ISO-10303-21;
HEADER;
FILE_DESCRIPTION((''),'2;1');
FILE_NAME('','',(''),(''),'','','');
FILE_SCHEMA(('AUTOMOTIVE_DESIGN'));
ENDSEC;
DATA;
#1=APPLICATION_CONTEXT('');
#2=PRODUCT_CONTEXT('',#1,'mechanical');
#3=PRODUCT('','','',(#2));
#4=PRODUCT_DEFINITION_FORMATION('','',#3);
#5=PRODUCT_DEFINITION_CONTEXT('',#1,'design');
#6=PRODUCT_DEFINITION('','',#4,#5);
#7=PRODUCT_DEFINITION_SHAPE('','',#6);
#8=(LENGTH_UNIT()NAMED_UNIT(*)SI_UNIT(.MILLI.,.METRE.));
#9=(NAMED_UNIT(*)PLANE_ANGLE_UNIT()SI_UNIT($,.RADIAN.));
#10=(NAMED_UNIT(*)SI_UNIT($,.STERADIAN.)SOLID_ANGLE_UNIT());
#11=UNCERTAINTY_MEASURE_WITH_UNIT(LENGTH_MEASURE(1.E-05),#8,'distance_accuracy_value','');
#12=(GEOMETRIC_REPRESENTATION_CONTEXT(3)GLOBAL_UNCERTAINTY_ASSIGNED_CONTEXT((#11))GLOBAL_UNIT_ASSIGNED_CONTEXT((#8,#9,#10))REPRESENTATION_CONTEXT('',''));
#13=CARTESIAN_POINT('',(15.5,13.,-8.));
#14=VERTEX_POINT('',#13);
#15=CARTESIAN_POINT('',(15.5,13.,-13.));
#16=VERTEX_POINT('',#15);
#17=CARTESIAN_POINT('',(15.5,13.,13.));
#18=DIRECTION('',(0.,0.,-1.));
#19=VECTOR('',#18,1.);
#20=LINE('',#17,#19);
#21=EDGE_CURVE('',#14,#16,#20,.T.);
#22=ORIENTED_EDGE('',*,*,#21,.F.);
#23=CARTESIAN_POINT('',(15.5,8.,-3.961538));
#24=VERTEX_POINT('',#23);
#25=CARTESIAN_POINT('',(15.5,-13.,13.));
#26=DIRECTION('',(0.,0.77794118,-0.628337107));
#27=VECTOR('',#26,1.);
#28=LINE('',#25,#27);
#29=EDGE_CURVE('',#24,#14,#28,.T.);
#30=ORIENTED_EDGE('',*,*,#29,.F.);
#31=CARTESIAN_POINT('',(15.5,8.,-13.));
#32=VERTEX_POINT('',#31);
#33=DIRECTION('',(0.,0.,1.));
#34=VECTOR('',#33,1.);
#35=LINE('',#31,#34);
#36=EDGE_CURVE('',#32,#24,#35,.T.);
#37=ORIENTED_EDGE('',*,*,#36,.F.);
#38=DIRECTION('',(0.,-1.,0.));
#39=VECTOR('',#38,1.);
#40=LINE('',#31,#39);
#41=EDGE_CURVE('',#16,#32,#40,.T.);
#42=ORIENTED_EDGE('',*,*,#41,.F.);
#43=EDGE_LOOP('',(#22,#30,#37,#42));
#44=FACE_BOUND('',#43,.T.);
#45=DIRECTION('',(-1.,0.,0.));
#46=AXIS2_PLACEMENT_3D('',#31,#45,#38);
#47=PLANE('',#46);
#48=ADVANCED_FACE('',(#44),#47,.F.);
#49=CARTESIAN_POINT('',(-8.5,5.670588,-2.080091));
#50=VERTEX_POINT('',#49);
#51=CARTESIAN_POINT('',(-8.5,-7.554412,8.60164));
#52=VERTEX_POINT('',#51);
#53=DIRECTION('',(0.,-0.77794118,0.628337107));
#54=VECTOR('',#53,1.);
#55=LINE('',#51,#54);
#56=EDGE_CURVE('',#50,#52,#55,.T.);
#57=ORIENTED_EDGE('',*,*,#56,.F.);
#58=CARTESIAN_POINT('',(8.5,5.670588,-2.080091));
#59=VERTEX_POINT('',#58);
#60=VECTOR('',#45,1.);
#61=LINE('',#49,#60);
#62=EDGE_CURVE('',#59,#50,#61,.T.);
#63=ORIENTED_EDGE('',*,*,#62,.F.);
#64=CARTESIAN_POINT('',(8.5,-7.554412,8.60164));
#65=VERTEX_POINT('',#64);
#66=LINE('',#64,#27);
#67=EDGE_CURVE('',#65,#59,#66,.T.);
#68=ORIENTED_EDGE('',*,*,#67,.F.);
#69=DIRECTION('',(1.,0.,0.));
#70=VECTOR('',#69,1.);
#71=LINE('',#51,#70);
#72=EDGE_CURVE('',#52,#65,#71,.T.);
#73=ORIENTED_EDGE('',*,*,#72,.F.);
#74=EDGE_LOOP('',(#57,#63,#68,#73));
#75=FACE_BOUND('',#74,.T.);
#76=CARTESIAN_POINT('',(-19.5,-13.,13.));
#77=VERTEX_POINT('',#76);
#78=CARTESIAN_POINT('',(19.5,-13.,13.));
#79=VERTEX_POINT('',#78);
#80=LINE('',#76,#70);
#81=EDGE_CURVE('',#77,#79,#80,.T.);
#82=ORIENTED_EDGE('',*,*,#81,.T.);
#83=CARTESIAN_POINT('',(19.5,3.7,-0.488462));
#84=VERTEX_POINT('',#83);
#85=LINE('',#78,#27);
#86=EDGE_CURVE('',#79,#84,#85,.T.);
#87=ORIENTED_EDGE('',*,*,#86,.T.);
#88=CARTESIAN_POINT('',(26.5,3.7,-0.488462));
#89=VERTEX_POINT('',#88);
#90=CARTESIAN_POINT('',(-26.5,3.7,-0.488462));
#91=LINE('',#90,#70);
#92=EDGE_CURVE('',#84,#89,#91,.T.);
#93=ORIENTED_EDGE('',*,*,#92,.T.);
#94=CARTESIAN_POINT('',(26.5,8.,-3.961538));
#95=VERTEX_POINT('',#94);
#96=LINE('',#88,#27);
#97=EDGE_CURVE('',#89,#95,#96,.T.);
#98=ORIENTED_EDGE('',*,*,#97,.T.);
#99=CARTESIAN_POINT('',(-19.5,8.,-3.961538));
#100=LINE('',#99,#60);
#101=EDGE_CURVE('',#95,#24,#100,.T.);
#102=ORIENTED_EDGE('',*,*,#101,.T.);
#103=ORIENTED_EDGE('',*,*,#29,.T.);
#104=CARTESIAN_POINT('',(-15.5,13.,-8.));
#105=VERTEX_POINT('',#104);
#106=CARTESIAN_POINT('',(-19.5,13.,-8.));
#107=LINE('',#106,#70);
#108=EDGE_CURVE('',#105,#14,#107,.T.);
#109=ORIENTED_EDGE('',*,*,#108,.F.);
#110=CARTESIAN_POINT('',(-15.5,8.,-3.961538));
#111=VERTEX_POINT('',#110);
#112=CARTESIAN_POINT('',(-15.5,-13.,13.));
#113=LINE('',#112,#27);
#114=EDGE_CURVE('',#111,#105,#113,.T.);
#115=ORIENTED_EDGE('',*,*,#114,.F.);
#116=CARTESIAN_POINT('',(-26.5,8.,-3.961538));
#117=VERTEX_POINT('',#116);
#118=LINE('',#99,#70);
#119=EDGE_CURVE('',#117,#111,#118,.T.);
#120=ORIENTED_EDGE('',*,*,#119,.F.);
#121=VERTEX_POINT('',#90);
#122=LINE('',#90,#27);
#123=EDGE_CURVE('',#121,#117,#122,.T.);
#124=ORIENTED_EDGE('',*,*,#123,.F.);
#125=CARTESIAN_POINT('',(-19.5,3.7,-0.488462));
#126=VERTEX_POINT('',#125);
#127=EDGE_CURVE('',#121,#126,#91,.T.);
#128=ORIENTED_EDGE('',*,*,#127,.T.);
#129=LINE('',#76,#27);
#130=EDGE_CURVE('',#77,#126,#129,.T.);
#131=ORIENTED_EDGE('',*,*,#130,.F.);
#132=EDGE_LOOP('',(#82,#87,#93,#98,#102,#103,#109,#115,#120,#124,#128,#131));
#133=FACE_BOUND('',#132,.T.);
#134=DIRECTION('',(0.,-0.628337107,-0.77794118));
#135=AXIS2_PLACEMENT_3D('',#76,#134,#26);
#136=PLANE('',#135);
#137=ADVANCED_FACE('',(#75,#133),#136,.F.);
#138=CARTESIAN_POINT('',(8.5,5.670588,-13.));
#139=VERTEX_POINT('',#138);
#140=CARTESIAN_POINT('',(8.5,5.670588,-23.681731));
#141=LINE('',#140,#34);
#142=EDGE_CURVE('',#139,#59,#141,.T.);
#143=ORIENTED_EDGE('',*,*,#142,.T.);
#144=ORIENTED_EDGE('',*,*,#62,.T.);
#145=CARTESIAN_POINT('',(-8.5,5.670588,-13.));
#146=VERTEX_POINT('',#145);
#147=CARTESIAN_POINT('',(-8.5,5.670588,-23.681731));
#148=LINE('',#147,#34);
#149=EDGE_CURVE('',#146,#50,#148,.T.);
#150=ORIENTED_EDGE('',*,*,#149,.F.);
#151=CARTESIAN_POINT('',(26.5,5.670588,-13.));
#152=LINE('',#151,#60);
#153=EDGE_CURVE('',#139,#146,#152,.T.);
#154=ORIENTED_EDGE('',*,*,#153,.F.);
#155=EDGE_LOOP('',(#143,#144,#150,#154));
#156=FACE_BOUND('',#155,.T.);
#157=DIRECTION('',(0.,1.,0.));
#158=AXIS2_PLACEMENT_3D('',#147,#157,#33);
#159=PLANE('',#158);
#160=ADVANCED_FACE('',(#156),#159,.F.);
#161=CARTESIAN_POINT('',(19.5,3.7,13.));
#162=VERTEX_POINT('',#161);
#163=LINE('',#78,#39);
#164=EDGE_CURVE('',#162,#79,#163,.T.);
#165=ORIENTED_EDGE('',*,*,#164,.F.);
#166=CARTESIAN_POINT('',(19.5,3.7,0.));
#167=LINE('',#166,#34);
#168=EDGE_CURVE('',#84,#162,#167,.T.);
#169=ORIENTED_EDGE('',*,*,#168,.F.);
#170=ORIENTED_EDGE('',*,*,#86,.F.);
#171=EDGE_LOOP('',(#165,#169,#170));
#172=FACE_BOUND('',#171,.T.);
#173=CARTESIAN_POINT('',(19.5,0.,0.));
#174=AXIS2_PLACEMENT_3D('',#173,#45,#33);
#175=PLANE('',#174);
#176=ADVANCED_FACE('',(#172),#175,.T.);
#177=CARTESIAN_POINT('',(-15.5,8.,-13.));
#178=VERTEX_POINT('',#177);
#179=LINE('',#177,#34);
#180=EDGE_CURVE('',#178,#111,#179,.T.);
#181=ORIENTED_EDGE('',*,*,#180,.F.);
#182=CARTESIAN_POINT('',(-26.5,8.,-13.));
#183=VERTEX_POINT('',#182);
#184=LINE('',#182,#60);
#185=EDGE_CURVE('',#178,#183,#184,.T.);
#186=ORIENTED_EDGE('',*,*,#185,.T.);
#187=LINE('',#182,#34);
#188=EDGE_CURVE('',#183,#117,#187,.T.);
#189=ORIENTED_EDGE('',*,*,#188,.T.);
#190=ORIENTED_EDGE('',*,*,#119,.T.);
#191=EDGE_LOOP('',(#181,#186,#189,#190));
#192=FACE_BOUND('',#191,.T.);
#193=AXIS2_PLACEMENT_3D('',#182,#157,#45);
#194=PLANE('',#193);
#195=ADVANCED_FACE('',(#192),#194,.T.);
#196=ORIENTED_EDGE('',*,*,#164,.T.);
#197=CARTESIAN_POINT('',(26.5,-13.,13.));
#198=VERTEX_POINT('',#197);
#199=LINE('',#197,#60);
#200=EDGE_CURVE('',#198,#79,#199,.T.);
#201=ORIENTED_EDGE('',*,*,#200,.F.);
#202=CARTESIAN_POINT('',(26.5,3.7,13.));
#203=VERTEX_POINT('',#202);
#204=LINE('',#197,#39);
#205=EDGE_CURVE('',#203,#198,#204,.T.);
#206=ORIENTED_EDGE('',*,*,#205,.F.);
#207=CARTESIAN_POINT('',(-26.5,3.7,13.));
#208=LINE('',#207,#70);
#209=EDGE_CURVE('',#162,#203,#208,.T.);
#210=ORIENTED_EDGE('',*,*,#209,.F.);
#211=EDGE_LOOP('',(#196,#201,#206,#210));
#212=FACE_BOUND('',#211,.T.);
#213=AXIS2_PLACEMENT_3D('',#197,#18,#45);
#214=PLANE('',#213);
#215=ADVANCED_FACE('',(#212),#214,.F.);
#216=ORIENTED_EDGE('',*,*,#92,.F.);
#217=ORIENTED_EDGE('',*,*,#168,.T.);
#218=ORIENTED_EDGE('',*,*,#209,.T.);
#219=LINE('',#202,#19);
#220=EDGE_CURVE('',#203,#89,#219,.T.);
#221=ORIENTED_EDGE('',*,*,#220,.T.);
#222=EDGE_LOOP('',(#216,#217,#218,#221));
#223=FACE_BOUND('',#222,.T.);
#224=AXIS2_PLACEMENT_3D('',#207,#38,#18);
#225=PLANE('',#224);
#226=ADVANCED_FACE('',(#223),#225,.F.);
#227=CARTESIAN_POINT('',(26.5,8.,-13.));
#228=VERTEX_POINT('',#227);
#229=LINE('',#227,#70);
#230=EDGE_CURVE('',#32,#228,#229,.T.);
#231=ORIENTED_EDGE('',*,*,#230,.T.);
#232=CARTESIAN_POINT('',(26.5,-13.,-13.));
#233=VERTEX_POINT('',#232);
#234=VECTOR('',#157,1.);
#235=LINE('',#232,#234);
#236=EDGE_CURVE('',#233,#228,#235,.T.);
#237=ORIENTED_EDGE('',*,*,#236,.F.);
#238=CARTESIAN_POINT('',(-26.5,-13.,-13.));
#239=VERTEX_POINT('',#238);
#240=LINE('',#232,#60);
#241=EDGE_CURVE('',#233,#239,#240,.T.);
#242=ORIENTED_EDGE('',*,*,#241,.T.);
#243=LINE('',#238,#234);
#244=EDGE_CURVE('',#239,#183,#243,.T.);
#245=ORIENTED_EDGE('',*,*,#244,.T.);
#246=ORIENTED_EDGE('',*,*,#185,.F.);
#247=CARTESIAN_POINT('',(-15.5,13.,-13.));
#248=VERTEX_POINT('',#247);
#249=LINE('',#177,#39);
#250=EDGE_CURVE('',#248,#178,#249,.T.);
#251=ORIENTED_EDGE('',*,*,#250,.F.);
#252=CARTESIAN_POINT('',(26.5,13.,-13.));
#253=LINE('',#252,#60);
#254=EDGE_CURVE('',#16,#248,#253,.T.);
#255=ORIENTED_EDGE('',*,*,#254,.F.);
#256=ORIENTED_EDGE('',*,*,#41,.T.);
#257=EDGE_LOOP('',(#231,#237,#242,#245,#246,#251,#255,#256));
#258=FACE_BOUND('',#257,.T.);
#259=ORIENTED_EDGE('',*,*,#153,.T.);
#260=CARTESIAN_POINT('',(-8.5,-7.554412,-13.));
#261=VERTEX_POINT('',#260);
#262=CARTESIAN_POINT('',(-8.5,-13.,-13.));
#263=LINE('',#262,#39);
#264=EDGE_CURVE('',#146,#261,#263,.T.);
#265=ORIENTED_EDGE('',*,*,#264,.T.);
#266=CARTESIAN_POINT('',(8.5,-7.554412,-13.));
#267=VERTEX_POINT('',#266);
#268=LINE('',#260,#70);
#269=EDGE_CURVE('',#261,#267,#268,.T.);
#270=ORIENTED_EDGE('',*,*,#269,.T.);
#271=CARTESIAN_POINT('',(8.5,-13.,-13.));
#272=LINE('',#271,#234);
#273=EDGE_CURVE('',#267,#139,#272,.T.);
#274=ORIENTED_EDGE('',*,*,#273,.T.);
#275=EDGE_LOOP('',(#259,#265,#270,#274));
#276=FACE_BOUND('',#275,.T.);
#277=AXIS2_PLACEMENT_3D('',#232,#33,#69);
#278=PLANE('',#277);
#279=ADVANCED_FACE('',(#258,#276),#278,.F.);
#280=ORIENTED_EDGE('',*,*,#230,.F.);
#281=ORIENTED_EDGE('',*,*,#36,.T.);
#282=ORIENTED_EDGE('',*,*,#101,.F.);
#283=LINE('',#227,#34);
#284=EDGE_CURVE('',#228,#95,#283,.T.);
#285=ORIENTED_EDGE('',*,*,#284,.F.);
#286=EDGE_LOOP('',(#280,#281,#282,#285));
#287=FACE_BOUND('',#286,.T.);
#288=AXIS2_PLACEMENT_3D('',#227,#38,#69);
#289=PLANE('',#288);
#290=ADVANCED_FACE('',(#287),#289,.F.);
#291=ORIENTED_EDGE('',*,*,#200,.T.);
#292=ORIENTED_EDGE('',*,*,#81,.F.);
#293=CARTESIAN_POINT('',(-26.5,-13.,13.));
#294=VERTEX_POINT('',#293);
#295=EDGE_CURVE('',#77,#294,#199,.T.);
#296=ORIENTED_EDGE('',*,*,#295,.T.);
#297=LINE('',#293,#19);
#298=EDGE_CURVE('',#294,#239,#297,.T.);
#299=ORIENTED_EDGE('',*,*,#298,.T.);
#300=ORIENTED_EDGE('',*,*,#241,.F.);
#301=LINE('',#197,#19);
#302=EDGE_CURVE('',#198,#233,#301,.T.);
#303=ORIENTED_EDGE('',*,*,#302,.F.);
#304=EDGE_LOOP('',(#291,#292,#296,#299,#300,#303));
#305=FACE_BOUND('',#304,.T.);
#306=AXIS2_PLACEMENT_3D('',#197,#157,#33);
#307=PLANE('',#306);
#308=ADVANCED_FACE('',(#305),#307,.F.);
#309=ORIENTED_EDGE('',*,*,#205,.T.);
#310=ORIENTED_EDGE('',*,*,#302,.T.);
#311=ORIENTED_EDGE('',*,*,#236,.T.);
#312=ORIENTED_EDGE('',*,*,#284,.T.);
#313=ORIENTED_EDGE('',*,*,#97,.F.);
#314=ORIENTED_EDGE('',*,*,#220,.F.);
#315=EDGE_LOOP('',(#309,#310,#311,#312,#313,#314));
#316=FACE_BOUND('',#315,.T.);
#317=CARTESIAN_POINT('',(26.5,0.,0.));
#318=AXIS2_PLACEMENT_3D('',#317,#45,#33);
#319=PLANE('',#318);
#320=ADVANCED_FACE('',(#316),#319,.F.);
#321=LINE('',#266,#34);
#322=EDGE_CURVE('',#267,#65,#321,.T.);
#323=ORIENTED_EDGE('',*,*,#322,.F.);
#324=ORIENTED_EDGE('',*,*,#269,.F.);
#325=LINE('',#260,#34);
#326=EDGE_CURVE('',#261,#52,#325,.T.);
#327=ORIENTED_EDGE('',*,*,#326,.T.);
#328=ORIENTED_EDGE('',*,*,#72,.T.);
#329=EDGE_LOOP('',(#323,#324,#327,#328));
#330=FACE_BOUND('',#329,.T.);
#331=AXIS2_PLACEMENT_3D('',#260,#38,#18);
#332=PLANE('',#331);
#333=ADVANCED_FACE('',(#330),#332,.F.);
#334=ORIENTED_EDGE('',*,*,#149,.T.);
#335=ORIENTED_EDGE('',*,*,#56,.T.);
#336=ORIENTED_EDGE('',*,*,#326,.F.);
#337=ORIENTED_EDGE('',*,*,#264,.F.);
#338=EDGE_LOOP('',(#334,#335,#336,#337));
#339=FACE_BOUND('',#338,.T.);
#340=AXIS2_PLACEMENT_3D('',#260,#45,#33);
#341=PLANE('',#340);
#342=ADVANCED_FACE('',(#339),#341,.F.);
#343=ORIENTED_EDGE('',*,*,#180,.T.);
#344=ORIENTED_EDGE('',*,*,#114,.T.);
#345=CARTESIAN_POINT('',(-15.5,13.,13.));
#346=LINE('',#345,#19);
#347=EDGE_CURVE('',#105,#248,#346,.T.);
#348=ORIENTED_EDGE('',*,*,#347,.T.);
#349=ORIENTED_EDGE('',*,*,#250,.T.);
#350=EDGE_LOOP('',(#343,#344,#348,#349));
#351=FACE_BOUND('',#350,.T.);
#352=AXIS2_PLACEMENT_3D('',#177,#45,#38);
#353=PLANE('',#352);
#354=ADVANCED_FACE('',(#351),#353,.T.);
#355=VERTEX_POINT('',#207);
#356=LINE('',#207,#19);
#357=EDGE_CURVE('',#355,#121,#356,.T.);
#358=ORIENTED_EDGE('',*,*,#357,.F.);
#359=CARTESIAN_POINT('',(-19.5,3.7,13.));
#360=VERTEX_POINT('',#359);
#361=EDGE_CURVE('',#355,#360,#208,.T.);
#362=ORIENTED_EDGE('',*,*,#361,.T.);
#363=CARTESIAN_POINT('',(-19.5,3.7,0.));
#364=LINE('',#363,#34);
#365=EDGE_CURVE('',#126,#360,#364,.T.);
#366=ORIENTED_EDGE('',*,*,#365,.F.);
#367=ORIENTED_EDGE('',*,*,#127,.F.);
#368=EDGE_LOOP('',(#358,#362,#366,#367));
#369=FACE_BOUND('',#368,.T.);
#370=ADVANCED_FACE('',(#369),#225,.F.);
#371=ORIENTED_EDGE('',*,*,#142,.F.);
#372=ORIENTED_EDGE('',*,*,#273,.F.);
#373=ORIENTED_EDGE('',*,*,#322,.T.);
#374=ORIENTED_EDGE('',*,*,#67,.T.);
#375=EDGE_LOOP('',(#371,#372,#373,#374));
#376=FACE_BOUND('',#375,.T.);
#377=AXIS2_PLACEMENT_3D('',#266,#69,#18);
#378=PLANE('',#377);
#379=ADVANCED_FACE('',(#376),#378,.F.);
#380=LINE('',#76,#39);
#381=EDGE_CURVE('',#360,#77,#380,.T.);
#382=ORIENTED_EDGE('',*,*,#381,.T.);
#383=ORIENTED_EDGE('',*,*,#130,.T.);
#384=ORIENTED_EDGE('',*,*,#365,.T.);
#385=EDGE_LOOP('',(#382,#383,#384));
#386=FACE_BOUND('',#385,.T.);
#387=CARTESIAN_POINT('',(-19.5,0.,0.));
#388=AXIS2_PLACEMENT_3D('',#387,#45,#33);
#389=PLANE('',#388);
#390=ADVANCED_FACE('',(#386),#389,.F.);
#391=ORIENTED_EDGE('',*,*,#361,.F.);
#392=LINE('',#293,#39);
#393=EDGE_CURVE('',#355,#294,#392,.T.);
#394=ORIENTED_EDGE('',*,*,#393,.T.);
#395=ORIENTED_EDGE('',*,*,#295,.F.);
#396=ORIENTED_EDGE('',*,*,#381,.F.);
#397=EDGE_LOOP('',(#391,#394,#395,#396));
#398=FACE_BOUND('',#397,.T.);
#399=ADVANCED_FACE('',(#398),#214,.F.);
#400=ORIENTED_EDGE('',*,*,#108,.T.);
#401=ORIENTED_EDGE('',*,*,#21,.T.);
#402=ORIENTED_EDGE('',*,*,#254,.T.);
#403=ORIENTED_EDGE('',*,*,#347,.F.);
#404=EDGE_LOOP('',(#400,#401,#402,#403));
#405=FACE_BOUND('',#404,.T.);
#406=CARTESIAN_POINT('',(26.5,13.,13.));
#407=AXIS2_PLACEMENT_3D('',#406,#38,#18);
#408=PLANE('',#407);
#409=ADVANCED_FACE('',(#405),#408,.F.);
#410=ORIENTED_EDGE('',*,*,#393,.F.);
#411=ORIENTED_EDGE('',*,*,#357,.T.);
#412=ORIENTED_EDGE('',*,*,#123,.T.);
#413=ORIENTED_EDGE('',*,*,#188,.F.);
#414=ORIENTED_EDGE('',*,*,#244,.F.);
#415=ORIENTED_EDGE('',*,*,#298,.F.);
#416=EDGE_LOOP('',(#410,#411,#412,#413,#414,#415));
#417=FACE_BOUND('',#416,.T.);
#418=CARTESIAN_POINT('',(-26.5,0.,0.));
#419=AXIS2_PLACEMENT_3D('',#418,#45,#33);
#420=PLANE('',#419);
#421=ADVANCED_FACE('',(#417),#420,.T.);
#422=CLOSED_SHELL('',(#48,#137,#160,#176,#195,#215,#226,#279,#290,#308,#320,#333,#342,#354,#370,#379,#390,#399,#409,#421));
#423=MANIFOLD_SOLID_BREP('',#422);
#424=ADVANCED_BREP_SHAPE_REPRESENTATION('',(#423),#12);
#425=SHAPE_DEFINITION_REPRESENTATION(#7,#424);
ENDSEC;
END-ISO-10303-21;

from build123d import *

# Parameters (mm, degrees)
ESQUISSE1_W             = 26
ESQUISSE1_H             = 26
BOSS_EXTRU_1_DEPTH      = 26.5
ENL_V_MAT_EXTRU_1_DEPTH = 19.5
ESQUISSE4_W             = 11
ESQUISSE4_H             = 10
ENL_V_MAT_EXTRU_2_DEPTH = 40.33509883
ENL_V_MAT_EXTRU_3_DEPTH = 57.098128311
ESQUISSE6_W             = 17
ESQUISSE6_H             = 17
ENL_V_MAT_EXTRU_4_DEPTH = 44.211248008


with BuildPart() as part:
    # Esquisse1 → Boss.-Extru.1 (new, symmetric)
    with BuildSketch(Plane(origin=(0, 0, 0), x_dir=(0, 0, -1), z_dir=(1, 0, 0))):
        Rectangle(ESQUISSE1_W, ESQUISSE1_H)
    extrude(amount=BOSS_EXTRU_1_DEPTH, both=True)

    # Esquisse3 → Enlèv. mat.-Extru.1 (cut, symmetric)
    with BuildSketch(Plane(origin=(0, 0, 0), x_dir=(0, 0, -1), z_dir=(1, 0, 0))):
        Polygon((-13, -13), (8, 13), (-13, 13), align=None)
    extrude(amount=ENL_V_MAT_EXTRU_1_DEPTH, both=True, mode=Mode.SUBTRACT)

    # Esquisse4 → Enlèv. mat.-Extru.2 (cut, through all)
    with BuildSketch(Plane.XY.offset(13)):
        with Locations((21, 13)):
            Rectangle(ESQUISSE4_W, ESQUISSE4_H)
    enl_v_mat_extru_2 = extrude(amount=-ENL_V_MAT_EXTRU_2_DEPTH, mode=Mode.SUBTRACT)

    # Symétrie1: Enlèv. mat.-Extru.2 across plane
    add(enl_v_mat_extru_2.mirror(Plane(origin=(0, 0, 0), x_dir=(0, 0, 1), z_dir=(1, 0, 0))), mode=Mode.SUBTRACT)

    # Esquisse5 → Enlèv. mat.-Extru.3 (cut, through all)
    with BuildSketch(Plane(origin=(26.5, 0, 0), x_dir=(0, 0, -1), z_dir=(1, 0, 0))):
        Polygon((-13, 3.7), (0.488461538, 3.7), (3.961538462, 8), (-13, 8), align=None)
    extrude(amount=-ENL_V_MAT_EXTRU_3_DEPTH, mode=Mode.SUBTRACT)

    # Esquisse6 → Enlèv. mat.-Extru.4 (cut, through all, along a direction that is not the sketch's normal)
    with BuildSketch(Plane(origin=(0, 1.222023277, 1.5129812), x_dir=(1, 0, 0), z_dir=(0, 0.6283371070876215, 0.7779411802037214))):
        with Locations((0, -2.781617735)):
            Rectangle(ESQUISSE6_W, ESQUISSE6_H)
    extrude(amount=-ENL_V_MAT_EXTRU_4_DEPTH, dir=(0, 0, 1), mode=Mode.SUBTRACT)


solid = part.part
